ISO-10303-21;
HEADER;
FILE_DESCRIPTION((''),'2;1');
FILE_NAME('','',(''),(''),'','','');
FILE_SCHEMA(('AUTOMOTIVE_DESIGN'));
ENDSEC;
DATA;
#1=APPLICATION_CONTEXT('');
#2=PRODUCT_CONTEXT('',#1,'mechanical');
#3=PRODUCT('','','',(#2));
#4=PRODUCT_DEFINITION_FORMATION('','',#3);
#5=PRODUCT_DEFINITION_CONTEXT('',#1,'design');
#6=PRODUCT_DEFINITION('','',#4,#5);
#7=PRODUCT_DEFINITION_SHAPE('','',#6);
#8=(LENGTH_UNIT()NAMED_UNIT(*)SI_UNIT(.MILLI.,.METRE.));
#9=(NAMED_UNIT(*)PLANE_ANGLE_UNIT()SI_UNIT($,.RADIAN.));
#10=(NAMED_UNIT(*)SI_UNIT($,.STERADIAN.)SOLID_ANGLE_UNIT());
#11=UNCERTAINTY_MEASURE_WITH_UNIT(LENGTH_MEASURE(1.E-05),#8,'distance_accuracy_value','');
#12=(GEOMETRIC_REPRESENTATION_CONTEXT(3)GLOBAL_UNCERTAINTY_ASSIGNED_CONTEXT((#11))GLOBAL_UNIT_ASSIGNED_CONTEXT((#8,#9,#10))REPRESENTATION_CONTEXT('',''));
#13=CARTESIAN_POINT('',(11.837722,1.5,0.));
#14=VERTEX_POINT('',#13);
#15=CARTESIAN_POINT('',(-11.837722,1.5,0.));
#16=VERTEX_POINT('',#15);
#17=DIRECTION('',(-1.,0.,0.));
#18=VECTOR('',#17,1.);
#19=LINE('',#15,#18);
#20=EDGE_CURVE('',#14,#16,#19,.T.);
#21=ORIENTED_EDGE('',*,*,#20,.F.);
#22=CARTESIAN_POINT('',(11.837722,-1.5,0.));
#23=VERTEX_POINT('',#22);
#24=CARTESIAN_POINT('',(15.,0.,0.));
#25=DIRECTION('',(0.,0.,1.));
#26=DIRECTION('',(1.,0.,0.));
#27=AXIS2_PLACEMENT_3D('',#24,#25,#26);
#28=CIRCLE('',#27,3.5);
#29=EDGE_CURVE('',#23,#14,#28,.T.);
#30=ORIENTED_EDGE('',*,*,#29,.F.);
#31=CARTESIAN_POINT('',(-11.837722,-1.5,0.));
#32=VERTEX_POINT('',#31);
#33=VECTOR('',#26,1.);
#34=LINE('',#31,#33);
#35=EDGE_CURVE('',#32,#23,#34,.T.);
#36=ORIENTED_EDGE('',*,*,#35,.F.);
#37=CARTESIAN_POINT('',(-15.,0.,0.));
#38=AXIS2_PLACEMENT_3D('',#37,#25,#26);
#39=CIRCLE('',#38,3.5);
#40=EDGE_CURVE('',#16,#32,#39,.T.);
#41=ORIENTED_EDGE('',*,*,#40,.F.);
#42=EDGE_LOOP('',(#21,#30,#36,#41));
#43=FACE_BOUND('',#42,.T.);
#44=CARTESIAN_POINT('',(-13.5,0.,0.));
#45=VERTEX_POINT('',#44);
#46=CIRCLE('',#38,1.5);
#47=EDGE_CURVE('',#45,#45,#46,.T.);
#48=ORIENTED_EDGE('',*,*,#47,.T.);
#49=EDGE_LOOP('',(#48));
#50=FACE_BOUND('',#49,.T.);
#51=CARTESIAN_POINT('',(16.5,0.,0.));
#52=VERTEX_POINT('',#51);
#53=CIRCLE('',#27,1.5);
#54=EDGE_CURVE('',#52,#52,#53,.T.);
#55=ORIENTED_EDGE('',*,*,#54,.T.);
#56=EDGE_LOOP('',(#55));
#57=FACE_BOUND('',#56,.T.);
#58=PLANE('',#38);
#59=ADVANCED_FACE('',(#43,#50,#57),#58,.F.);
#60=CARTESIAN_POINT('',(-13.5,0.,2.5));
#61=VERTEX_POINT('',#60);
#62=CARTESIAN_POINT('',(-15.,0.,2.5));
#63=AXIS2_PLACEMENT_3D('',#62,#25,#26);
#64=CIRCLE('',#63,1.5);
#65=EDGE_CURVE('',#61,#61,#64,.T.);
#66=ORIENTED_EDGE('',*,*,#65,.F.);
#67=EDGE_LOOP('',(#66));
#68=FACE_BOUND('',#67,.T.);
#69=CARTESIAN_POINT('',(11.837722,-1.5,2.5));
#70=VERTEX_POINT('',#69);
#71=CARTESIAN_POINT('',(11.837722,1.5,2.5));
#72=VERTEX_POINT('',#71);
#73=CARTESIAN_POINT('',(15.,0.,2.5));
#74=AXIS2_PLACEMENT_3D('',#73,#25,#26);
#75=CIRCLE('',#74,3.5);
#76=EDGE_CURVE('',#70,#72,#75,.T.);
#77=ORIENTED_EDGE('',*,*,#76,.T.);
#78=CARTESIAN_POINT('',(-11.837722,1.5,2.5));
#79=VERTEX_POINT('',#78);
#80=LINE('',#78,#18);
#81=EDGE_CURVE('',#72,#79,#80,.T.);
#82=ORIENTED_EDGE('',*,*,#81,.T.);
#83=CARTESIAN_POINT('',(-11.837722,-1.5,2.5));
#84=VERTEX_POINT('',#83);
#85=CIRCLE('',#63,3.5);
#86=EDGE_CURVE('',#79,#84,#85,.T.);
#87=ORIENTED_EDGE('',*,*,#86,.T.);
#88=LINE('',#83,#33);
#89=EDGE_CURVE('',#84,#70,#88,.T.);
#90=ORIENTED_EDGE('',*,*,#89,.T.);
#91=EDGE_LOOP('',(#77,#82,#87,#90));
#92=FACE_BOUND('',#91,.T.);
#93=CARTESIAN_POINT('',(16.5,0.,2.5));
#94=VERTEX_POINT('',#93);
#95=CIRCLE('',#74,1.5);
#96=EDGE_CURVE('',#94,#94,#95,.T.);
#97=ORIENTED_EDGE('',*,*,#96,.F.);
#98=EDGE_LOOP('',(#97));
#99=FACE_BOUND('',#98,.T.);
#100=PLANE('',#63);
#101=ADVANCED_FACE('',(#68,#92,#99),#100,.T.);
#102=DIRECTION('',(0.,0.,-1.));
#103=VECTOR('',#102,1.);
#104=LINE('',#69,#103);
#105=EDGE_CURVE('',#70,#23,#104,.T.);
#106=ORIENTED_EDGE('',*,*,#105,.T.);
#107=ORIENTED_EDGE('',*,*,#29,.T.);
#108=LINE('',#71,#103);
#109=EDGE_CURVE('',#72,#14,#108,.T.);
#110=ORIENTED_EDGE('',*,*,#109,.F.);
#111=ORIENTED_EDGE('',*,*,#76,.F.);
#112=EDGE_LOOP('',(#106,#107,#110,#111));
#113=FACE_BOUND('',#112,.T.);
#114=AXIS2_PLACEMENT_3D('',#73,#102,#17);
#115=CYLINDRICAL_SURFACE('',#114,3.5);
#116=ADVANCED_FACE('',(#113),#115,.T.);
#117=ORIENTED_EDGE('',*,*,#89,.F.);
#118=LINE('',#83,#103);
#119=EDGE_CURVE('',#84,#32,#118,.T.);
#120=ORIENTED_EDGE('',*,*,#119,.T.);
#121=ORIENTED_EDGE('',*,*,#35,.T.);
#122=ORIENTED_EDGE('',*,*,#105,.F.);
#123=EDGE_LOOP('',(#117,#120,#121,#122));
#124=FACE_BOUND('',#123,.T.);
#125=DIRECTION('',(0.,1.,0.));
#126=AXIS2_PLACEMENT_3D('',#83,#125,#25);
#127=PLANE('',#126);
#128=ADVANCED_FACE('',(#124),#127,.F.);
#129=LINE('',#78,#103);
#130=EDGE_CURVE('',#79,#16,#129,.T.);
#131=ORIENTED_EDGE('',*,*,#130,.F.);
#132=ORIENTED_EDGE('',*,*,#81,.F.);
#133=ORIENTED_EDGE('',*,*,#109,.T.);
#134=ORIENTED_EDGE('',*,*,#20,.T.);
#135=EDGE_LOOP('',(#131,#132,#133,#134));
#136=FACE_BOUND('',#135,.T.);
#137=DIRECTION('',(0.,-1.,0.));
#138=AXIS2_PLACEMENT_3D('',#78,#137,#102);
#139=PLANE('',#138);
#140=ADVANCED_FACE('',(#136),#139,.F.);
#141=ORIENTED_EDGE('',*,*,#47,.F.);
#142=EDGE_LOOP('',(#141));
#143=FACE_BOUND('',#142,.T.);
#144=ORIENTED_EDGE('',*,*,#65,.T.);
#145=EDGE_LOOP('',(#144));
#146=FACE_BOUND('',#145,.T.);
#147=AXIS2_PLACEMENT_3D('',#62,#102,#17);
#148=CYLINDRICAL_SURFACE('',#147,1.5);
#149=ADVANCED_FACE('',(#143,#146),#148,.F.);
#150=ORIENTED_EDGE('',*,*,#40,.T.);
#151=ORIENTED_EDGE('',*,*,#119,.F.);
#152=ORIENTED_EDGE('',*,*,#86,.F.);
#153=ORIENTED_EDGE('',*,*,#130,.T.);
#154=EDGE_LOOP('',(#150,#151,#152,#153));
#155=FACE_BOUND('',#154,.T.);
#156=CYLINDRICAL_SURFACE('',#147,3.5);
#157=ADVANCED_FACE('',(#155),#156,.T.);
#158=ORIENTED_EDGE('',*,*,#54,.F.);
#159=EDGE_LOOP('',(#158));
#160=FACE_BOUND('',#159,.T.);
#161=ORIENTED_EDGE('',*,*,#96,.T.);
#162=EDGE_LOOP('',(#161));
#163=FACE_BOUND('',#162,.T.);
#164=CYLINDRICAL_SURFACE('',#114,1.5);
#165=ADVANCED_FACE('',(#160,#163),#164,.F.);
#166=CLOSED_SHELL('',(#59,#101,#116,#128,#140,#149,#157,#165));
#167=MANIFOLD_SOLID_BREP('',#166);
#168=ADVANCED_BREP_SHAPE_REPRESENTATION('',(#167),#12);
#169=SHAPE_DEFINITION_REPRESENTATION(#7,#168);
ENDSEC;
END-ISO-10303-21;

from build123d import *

# Parameters (mm, degrees)
SKETCH1_R           = 1.5
BOSS_EXTRUDE1_DEPTH = 2.5


with BuildPart() as part:
    # Sketch1 → Boss-Extrude1 (new body)
    with BuildSketch(Plane.XY):
        with BuildLine():
            Line((-11.83772234, 1.5), (11.83772234, 1.5))
            ThreePointArc((11.83772234, 1.5), (18.5, 0), (11.83772234, -1.5))
            Line((11.83772234, -1.5), (-11.83772234, -1.5))
            ThreePointArc((-11.83772234, -1.5), (-18.5, 0), (-11.83772234, 1.5))
        make_face()
        with Locations((-15, 0)):
            Circle(SKETCH1_R, mode=Mode.SUBTRACT)
        with Locations((15, 0)):
            Circle(SKETCH1_R, mode=Mode.SUBTRACT)
    extrude(amount=BOSS_EXTRUDE1_DEPTH)


solid = part.part
